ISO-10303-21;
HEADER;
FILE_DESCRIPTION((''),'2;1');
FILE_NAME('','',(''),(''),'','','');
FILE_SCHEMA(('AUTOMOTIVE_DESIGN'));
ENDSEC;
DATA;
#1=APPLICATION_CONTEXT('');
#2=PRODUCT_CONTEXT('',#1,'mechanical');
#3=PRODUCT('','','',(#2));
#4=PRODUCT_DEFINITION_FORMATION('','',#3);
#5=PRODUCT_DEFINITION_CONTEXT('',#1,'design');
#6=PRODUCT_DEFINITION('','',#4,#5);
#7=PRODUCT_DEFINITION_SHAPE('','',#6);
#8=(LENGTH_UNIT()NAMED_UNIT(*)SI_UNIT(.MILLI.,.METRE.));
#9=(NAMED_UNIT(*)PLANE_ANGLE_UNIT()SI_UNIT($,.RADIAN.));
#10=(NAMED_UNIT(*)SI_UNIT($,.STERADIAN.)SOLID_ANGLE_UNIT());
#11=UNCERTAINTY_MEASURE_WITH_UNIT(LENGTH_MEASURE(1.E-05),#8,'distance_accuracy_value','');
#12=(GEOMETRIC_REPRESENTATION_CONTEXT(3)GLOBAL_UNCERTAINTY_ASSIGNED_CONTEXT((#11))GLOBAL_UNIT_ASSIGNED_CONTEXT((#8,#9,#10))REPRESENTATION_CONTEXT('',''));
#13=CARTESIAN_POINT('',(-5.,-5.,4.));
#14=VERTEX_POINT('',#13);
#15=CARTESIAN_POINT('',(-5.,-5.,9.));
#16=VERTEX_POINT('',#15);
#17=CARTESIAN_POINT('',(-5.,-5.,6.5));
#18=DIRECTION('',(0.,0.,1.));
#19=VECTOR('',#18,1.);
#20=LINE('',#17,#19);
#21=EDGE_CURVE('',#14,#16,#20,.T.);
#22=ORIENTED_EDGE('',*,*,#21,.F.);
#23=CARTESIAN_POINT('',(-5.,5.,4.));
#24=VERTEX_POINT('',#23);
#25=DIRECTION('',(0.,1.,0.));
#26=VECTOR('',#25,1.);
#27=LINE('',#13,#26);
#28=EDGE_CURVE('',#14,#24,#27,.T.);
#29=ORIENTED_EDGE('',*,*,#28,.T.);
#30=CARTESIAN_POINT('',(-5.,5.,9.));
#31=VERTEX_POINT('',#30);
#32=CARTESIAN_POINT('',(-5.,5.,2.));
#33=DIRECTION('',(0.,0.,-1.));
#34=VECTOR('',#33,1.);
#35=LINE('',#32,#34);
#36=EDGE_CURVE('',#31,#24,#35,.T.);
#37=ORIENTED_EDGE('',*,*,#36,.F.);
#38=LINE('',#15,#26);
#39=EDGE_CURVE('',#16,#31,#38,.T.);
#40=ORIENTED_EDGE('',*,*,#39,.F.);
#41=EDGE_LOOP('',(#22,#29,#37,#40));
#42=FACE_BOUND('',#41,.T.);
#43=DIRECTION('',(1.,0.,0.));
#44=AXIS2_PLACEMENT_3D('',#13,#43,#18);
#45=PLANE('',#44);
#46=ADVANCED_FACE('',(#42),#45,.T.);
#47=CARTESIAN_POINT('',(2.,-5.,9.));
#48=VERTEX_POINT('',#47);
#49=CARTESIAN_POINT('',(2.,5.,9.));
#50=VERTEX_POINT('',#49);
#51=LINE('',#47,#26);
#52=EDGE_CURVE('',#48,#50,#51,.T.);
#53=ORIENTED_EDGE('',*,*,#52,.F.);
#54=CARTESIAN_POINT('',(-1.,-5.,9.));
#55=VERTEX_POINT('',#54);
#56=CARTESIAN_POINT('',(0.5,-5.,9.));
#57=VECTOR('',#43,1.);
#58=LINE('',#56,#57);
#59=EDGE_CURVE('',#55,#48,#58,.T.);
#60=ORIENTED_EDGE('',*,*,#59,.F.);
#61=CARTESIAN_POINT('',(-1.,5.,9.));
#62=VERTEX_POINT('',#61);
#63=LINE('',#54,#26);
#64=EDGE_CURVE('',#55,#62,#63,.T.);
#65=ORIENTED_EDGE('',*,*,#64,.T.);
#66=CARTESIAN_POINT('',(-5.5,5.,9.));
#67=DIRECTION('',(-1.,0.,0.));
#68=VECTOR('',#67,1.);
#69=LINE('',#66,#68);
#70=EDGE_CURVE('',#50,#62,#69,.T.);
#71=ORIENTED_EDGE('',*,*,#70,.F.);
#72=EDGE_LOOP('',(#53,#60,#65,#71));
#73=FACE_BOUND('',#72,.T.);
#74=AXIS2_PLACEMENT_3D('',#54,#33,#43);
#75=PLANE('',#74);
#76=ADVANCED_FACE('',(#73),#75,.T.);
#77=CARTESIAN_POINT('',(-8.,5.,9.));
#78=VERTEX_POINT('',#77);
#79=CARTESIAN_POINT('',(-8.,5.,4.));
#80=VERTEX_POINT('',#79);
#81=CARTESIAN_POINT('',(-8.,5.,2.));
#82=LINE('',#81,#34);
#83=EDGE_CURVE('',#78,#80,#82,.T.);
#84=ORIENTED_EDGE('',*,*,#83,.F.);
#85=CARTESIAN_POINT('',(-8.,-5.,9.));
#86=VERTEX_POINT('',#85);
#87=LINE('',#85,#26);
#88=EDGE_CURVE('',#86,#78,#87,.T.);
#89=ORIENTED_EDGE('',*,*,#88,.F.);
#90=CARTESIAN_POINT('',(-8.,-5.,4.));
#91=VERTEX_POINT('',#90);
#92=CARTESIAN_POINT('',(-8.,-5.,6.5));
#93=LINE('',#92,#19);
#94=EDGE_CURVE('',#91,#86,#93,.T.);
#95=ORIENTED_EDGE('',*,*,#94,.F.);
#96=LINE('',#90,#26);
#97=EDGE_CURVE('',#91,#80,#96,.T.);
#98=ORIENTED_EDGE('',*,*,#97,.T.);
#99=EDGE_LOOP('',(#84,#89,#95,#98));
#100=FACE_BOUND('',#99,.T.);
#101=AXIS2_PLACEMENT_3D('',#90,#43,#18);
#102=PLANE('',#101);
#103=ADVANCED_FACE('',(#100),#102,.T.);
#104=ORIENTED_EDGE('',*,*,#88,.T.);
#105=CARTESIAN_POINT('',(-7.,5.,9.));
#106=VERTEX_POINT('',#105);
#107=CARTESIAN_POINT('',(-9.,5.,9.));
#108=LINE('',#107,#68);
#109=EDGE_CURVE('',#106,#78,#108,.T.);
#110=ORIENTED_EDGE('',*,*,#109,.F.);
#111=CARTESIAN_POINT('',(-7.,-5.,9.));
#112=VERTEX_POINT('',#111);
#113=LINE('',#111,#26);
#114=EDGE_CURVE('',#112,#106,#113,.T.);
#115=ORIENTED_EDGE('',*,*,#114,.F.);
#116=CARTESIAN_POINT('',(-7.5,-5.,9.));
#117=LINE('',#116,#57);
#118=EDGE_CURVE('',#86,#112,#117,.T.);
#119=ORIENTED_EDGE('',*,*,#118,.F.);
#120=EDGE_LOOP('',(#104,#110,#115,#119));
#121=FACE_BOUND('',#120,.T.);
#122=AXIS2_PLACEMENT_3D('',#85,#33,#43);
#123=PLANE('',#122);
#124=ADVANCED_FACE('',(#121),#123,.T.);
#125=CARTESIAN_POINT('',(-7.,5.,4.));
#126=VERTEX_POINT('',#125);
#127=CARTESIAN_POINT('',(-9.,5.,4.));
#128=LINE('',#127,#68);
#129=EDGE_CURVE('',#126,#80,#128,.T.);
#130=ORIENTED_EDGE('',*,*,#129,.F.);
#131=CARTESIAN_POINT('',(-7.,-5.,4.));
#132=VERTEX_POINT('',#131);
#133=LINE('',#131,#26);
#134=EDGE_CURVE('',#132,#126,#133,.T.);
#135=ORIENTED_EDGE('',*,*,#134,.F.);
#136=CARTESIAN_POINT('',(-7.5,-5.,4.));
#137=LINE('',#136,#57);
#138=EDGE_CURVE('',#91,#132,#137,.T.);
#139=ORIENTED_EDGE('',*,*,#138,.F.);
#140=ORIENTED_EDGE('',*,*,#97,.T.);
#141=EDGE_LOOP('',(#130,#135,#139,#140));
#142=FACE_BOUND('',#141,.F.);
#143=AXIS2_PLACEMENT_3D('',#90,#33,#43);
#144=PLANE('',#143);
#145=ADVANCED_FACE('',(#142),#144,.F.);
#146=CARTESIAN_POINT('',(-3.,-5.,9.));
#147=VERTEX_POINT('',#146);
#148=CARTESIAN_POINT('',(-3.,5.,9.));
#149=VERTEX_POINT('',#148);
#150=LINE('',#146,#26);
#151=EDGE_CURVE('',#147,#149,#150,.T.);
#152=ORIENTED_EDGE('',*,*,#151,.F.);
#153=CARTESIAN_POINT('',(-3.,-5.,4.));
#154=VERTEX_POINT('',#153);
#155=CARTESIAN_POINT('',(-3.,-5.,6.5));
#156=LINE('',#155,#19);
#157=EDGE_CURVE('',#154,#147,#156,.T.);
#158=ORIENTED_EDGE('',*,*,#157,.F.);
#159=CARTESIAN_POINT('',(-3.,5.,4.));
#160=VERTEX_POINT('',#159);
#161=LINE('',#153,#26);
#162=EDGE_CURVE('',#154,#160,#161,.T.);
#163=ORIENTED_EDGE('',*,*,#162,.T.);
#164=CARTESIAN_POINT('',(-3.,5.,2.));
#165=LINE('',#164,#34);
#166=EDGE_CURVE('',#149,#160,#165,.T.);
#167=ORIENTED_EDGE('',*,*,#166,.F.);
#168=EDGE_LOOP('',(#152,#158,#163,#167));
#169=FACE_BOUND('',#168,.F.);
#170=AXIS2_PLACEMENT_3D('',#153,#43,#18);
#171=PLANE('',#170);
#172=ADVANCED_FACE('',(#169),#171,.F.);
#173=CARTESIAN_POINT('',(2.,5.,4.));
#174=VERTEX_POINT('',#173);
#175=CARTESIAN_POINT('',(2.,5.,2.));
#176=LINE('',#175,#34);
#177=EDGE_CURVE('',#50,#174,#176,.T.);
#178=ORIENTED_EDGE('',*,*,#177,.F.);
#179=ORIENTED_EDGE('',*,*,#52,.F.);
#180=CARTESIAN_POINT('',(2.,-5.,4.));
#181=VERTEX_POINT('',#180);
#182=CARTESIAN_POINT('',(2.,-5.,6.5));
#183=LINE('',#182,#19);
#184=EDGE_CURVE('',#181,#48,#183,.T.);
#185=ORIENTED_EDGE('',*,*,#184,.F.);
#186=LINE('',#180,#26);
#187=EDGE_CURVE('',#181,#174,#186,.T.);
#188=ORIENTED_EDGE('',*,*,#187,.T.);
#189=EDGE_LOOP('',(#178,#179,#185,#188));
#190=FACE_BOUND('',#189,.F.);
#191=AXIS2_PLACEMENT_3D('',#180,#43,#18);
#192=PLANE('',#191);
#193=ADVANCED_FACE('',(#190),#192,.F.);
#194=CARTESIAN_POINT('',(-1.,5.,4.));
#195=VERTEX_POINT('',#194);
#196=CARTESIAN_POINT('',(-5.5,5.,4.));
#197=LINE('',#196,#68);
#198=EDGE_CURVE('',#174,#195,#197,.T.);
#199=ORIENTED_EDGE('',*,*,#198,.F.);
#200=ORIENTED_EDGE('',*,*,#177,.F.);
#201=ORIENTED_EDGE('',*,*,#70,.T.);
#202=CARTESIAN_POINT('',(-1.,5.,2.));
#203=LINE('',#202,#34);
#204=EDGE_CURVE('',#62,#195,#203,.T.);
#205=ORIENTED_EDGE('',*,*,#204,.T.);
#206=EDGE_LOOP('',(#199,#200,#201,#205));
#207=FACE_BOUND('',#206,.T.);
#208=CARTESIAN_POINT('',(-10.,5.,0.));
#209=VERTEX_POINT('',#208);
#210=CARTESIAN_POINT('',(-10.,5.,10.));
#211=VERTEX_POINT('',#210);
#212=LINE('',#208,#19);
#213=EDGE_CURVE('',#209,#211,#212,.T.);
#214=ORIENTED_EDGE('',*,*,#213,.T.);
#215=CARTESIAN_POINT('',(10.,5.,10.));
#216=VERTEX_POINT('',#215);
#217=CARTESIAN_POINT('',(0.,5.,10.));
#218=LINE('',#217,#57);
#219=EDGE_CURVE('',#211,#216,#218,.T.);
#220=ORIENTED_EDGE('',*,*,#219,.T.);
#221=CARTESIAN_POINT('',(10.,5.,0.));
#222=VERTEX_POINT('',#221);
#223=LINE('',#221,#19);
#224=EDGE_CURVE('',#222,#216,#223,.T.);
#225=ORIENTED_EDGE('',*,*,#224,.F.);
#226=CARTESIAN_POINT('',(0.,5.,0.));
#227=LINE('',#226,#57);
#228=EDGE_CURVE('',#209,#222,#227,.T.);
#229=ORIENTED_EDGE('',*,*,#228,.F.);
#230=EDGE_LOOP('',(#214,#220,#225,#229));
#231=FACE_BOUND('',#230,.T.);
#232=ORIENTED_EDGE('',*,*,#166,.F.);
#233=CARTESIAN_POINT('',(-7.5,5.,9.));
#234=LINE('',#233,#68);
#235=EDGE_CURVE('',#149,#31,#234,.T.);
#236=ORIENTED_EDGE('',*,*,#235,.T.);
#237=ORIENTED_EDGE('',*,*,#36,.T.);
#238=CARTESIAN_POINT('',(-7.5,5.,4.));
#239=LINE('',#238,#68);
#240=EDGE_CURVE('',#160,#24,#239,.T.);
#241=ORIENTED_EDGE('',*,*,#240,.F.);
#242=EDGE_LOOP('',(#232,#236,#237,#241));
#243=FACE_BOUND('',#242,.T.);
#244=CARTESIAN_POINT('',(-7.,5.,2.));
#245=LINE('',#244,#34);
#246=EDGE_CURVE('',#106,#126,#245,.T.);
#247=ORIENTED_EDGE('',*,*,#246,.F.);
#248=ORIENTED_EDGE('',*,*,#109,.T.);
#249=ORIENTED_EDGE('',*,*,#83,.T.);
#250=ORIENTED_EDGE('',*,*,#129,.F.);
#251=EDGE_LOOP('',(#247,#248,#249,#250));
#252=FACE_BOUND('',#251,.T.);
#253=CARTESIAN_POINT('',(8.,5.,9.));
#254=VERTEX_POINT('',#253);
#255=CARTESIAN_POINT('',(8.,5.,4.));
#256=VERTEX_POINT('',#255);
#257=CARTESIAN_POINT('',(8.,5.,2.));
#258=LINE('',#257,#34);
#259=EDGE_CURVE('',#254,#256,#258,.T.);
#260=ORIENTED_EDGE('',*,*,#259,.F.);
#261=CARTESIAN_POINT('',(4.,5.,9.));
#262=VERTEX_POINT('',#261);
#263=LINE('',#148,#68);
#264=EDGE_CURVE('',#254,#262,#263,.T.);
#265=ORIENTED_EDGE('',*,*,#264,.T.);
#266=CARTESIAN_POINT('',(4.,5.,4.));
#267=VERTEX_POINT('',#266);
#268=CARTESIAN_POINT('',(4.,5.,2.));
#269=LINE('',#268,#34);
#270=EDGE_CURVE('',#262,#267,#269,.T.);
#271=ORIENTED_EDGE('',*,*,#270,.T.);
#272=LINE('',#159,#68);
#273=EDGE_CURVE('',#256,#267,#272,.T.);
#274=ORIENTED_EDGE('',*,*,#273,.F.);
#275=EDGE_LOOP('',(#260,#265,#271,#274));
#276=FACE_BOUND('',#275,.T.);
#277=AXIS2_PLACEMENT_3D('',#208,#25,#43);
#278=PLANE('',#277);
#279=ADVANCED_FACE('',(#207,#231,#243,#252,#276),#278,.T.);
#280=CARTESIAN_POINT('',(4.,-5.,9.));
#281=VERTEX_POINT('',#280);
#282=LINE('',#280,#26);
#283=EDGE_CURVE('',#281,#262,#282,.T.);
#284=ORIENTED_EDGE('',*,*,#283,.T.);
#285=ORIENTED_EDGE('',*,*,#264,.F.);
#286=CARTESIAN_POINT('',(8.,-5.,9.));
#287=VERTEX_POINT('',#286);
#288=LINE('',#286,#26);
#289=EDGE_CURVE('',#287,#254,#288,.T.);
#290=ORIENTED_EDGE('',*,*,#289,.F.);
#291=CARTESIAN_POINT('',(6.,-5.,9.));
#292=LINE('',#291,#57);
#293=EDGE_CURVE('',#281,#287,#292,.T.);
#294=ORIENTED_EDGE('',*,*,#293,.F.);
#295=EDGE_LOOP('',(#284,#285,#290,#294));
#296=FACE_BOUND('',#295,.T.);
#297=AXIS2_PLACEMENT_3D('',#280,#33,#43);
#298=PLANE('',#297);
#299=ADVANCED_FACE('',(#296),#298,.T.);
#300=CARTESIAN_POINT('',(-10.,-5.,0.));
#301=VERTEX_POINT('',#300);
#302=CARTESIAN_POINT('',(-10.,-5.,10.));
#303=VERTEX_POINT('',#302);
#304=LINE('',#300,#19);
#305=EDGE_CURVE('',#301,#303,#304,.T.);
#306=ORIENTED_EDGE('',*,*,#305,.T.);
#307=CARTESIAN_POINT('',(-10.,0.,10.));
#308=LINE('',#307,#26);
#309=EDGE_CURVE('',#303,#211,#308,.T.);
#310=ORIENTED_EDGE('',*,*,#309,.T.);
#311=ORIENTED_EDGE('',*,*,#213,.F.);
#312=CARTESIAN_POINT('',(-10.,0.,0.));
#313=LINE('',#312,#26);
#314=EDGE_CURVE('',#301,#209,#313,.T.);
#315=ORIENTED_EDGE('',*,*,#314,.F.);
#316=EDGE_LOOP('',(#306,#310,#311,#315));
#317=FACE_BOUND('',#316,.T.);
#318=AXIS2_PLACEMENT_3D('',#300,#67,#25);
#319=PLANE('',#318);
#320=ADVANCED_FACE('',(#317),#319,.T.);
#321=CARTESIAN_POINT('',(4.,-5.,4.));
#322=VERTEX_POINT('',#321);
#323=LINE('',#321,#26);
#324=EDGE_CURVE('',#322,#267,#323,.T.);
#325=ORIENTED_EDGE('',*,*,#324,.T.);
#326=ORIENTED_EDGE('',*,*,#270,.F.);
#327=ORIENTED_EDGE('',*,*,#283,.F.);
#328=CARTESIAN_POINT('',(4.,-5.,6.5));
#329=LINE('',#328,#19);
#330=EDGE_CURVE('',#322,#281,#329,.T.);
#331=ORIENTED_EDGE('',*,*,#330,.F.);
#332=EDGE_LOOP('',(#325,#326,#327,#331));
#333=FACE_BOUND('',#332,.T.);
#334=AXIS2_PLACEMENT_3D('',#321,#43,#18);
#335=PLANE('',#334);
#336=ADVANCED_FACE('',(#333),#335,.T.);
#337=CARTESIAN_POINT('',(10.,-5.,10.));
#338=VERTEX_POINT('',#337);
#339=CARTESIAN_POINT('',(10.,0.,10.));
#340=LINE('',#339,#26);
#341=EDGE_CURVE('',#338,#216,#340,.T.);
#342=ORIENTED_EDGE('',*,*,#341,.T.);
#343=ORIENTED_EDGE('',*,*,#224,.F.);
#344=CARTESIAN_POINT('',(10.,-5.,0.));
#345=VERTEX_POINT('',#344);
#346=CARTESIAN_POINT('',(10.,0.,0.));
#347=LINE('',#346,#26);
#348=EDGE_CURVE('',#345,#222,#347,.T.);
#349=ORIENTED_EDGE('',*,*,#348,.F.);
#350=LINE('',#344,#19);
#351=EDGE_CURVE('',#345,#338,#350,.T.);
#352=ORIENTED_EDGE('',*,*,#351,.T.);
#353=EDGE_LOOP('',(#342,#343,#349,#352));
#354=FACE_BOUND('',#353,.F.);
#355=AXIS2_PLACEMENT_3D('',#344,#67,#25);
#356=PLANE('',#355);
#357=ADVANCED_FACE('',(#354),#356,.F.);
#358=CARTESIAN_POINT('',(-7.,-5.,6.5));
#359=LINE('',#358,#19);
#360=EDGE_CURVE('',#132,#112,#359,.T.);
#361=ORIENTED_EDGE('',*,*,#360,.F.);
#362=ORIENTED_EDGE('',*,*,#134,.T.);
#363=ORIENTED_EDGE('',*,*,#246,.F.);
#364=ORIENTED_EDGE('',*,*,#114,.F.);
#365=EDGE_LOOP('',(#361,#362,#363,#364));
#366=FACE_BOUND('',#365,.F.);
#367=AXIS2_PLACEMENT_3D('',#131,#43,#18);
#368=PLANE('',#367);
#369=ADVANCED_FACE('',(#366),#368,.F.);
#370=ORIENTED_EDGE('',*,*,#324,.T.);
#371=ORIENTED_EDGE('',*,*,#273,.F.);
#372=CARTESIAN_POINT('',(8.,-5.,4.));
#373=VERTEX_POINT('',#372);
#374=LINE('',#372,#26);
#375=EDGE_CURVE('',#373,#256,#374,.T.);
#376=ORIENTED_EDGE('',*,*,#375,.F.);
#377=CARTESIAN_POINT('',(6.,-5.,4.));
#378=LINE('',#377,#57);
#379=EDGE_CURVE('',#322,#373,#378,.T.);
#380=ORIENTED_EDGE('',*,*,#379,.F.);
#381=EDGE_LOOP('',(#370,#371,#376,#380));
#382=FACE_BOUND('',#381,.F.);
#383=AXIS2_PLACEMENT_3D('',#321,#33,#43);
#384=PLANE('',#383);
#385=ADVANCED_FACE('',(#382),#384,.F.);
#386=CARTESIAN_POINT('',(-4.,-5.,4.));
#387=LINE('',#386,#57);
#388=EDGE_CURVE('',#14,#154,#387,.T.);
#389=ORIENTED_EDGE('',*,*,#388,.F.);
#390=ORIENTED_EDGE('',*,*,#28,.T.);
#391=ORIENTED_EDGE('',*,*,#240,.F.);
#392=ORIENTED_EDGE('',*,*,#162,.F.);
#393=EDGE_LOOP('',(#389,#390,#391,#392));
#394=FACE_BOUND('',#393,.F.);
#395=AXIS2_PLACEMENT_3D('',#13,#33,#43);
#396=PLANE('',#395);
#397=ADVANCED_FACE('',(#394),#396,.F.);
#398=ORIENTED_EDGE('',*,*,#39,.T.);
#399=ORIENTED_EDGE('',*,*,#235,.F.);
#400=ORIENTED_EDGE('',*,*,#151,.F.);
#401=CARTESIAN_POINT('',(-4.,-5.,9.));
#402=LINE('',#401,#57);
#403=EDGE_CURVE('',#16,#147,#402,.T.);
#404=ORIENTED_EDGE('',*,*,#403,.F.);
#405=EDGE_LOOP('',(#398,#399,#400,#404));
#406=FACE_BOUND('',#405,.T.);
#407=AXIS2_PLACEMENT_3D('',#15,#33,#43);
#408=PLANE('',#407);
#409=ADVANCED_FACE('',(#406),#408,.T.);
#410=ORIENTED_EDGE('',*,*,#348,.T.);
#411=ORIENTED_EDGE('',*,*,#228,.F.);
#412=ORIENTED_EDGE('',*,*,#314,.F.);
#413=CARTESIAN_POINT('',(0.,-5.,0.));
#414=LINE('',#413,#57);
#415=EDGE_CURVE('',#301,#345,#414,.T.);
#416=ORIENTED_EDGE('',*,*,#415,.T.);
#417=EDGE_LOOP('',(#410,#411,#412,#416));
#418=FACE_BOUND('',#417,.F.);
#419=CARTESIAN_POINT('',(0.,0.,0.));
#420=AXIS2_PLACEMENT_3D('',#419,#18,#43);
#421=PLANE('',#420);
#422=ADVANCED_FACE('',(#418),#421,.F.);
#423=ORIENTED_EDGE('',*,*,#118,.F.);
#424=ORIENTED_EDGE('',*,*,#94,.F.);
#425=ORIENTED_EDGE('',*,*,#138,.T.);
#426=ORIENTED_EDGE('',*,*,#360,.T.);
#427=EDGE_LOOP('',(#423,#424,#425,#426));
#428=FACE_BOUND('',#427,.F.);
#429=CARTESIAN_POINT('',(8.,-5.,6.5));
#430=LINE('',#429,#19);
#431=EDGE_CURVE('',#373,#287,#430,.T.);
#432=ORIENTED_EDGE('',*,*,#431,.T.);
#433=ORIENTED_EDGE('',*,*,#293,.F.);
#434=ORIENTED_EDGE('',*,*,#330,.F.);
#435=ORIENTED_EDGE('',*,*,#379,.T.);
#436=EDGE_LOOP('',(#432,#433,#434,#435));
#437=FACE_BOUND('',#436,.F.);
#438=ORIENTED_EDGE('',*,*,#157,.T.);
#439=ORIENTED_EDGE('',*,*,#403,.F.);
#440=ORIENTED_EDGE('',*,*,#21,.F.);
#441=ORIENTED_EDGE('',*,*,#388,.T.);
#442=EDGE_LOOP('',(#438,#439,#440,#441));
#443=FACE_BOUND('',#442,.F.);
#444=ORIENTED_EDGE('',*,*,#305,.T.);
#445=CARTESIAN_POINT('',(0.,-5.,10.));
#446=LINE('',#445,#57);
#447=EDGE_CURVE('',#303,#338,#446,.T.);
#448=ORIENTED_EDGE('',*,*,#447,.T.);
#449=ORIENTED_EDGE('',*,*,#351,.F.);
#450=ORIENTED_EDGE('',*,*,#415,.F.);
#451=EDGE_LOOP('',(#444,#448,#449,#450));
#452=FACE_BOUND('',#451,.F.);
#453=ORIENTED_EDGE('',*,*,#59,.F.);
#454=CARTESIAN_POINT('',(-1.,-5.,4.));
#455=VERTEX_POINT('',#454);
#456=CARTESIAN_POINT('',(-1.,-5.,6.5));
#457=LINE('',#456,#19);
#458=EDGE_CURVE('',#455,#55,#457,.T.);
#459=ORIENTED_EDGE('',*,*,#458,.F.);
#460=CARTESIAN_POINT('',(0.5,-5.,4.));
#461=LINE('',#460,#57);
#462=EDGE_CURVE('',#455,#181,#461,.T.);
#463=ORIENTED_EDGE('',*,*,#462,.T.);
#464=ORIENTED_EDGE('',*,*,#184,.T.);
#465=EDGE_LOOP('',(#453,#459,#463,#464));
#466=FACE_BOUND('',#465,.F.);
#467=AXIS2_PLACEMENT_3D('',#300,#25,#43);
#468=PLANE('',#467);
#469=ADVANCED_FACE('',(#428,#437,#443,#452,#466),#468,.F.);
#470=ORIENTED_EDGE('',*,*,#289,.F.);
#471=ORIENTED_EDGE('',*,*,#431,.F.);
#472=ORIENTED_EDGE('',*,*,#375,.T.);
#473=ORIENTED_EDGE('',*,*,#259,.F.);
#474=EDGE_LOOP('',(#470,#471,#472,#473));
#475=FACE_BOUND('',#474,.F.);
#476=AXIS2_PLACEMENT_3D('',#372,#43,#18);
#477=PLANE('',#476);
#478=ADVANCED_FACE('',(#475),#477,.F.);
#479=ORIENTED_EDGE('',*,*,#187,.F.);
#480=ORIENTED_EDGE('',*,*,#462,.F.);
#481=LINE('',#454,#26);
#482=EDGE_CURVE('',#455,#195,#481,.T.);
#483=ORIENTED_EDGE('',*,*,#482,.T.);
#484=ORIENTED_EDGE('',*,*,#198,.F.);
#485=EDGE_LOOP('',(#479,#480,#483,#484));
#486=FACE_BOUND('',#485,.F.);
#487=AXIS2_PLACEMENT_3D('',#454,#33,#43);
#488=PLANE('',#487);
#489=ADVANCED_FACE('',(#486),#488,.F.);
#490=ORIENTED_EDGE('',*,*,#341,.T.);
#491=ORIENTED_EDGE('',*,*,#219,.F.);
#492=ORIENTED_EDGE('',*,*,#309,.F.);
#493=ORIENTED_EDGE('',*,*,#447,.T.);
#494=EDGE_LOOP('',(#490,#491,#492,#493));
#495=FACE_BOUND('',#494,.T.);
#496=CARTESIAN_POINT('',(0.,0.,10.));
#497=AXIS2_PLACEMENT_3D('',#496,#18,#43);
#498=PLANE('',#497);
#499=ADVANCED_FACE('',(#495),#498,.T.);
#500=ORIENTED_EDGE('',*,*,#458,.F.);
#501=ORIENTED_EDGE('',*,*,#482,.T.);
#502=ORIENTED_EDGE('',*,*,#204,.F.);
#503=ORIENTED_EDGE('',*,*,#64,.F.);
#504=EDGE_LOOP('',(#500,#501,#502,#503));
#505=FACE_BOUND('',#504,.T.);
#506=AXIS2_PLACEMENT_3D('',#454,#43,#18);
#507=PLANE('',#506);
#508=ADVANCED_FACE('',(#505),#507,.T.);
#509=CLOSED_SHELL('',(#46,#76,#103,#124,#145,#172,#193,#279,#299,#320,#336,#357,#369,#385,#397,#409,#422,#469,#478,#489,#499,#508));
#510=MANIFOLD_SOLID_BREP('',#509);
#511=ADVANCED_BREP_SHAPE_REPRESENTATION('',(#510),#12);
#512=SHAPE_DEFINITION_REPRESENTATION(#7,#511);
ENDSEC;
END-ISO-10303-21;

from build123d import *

# Parameters (mm, degrees)
F0_W     = 20
F0_H     = 10
F1_DEPTH = 10
F2_W     = 1
F2_H     = 5
F2_W_2   = 2
F2_W_3   = 3
F2_W_4   = 4
F3_DEPTH = 10.001


with BuildPart() as f1:
    # F0 (on Top) → F1 (new body)
    with BuildSketch(Plane.XY):
        Rectangle(F0_W, F0_H)
    extrude(amount=F1_DEPTH)

    # F2 (on face) → F3 (cut, through all)
    with BuildSketch(Plane.XZ.offset(5)):
        with Locations((-7.5, 6.5)):
            Rectangle(F2_W, F2_H)
        with Locations((-4, 6.5)):
            Rectangle(F2_W_2, F2_H)
        with Locations((0.5, 6.5)):
            Rectangle(F2_W_3, F2_H)
        with Locations((6, 6.5)):
            Rectangle(F2_W_4, F2_H)
    extrude(amount=-F3_DEPTH, mode=Mode.SUBTRACT)


solid = f1.part
